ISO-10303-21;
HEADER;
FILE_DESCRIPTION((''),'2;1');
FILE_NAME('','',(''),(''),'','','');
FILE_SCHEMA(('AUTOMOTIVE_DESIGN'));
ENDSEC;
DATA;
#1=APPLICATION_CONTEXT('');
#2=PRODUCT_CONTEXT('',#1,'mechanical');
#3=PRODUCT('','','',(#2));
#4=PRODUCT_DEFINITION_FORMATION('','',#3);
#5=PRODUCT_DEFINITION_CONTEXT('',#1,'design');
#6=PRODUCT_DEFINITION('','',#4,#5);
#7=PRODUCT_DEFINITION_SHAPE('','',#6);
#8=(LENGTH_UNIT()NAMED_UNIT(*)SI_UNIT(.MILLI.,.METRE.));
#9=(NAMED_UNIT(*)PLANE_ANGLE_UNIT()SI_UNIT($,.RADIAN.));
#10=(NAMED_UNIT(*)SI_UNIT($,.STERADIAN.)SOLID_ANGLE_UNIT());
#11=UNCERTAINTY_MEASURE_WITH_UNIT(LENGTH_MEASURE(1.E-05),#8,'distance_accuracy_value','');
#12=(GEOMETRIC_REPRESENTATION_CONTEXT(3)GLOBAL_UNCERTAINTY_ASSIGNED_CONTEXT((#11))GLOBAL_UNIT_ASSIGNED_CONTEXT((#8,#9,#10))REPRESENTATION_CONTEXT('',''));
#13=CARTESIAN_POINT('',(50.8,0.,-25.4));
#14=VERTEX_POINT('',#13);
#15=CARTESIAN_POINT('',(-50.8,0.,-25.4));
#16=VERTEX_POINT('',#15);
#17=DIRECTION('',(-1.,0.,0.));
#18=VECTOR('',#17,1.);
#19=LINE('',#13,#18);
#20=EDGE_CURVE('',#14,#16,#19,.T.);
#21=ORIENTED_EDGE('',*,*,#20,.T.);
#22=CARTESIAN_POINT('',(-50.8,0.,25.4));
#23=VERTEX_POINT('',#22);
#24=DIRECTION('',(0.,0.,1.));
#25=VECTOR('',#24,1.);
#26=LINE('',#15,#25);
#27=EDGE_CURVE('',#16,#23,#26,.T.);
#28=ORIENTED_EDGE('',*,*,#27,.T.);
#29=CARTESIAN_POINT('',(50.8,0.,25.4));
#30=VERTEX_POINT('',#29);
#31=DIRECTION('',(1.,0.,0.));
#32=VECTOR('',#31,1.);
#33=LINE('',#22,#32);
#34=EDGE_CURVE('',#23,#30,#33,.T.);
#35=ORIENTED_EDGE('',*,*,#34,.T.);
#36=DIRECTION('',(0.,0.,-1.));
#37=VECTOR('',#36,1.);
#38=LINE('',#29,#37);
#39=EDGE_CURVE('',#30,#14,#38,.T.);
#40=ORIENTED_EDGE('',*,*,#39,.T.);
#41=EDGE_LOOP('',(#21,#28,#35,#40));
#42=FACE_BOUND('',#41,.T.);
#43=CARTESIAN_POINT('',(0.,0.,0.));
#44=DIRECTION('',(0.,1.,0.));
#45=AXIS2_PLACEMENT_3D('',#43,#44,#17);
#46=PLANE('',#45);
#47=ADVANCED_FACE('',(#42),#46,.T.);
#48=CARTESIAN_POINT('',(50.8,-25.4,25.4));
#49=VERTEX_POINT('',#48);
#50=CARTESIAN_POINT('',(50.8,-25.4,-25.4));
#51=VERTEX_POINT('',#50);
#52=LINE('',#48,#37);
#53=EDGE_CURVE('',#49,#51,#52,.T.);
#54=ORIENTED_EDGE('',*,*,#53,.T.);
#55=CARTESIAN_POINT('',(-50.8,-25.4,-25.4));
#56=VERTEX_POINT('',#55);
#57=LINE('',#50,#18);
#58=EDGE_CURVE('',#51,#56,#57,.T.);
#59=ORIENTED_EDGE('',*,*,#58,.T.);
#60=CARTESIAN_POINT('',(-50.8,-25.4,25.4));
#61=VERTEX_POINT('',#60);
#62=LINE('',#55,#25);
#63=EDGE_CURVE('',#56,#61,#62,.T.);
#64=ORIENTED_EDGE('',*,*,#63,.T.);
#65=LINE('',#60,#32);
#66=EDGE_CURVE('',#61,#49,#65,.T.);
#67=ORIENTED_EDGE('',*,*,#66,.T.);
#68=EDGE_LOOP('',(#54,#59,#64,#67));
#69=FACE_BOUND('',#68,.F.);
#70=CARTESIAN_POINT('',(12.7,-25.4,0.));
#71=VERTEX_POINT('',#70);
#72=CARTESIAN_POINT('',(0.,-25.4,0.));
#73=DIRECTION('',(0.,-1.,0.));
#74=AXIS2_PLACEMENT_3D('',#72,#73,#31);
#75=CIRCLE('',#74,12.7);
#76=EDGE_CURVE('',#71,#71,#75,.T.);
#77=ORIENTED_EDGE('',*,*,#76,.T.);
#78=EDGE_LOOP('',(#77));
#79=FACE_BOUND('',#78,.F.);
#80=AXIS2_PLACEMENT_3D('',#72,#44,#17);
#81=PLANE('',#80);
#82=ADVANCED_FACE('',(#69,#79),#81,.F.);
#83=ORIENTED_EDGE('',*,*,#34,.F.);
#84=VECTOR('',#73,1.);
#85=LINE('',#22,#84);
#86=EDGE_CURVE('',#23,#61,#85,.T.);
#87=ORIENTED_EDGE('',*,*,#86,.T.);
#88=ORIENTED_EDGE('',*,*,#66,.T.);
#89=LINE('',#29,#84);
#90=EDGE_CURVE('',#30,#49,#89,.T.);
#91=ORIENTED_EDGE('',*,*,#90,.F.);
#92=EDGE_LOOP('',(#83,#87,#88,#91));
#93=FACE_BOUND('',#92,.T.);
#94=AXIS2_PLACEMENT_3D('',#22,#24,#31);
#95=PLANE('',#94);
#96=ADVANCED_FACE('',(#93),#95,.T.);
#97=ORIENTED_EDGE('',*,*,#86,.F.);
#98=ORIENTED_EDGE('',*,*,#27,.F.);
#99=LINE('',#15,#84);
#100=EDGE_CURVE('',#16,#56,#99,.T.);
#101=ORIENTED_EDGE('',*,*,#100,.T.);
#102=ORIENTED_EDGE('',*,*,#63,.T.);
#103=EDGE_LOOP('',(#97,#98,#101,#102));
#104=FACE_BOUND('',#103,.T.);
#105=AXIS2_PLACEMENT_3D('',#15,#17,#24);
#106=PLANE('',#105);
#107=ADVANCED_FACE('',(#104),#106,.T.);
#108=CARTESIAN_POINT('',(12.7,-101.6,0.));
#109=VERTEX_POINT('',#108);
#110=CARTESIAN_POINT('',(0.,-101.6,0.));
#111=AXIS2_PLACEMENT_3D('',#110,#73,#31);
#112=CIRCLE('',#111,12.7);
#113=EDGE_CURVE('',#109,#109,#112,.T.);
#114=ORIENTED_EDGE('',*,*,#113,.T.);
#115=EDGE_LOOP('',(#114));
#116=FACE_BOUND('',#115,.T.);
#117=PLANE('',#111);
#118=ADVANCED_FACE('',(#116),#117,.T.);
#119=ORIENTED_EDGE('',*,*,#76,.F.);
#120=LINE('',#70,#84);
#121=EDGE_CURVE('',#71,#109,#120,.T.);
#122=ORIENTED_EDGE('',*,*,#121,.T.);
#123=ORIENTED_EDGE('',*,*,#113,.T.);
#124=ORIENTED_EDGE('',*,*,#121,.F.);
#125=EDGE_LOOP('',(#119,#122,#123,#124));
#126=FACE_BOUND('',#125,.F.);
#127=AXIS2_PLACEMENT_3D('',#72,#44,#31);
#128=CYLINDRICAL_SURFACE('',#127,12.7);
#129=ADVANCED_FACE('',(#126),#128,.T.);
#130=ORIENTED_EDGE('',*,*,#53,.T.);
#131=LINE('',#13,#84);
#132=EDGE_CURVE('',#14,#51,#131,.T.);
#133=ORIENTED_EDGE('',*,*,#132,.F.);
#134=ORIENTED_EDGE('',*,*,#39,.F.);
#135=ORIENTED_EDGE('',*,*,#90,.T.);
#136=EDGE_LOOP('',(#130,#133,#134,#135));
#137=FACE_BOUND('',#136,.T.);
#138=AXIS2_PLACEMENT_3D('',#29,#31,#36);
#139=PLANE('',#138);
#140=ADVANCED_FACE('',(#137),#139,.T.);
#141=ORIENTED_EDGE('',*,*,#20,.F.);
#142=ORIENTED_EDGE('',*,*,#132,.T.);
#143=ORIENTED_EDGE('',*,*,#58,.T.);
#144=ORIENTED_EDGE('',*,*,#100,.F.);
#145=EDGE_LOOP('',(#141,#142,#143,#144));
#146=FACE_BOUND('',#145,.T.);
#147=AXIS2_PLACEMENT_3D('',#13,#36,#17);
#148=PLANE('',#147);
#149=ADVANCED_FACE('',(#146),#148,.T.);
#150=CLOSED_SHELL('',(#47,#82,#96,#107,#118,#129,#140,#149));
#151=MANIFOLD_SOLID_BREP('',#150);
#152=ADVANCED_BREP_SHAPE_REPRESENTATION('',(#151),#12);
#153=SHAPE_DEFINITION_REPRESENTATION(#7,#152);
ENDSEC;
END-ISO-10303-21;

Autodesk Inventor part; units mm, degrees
ref_plane "YZ Plane" through (0, 0, 0) normal (1, 0, 0) x (0, 1, 0)
ref_plane "XZ Plane" through (0, 0, 0) normal (0, 1, 0) x (-1, 0, 0)
ref_plane "XY Plane" through (0, 0, 0) normal (0, 0, 1) x (1, 0, 0)
sketch "Sketch1" plane through (0, 0, 0) normal (0, 1, 0) x (-1, 0, 0)
  line L0 (50.8, 25.4) -> (-50.8, 25.4)
  line L1 (-50.8, 25.4) -> (-50.8, -25.4)
  line L2 (-50.8, -25.4) -> (50.8, -25.4)
  line L3 (50.8, -25.4) -> (50.8, 25.4)
  line L4 (50.8, 25.4) -> (-50.8, -25.4) construction
  line L5 (-50.8, 25.4) -> (50.8, -25.4) construction
  point P0 (0, 0)
  dimension "d0" = 50.8
  dimension "d1" = 101.6
extrude "Extrusion1" add sketch "Sketch1" against normal blind 25.4
sketch "Sketch2" plane through (0, -25.4, 0) normal (0, -1, 0) x (1, 0, 0)
  circle A0 centre (0, 0) radius 12.7
  dimension "d4" = 25.4
extrude "Extrusion2" add sketch "Sketch2" along normal blind 76.2
properties part number "connectorToTube"
